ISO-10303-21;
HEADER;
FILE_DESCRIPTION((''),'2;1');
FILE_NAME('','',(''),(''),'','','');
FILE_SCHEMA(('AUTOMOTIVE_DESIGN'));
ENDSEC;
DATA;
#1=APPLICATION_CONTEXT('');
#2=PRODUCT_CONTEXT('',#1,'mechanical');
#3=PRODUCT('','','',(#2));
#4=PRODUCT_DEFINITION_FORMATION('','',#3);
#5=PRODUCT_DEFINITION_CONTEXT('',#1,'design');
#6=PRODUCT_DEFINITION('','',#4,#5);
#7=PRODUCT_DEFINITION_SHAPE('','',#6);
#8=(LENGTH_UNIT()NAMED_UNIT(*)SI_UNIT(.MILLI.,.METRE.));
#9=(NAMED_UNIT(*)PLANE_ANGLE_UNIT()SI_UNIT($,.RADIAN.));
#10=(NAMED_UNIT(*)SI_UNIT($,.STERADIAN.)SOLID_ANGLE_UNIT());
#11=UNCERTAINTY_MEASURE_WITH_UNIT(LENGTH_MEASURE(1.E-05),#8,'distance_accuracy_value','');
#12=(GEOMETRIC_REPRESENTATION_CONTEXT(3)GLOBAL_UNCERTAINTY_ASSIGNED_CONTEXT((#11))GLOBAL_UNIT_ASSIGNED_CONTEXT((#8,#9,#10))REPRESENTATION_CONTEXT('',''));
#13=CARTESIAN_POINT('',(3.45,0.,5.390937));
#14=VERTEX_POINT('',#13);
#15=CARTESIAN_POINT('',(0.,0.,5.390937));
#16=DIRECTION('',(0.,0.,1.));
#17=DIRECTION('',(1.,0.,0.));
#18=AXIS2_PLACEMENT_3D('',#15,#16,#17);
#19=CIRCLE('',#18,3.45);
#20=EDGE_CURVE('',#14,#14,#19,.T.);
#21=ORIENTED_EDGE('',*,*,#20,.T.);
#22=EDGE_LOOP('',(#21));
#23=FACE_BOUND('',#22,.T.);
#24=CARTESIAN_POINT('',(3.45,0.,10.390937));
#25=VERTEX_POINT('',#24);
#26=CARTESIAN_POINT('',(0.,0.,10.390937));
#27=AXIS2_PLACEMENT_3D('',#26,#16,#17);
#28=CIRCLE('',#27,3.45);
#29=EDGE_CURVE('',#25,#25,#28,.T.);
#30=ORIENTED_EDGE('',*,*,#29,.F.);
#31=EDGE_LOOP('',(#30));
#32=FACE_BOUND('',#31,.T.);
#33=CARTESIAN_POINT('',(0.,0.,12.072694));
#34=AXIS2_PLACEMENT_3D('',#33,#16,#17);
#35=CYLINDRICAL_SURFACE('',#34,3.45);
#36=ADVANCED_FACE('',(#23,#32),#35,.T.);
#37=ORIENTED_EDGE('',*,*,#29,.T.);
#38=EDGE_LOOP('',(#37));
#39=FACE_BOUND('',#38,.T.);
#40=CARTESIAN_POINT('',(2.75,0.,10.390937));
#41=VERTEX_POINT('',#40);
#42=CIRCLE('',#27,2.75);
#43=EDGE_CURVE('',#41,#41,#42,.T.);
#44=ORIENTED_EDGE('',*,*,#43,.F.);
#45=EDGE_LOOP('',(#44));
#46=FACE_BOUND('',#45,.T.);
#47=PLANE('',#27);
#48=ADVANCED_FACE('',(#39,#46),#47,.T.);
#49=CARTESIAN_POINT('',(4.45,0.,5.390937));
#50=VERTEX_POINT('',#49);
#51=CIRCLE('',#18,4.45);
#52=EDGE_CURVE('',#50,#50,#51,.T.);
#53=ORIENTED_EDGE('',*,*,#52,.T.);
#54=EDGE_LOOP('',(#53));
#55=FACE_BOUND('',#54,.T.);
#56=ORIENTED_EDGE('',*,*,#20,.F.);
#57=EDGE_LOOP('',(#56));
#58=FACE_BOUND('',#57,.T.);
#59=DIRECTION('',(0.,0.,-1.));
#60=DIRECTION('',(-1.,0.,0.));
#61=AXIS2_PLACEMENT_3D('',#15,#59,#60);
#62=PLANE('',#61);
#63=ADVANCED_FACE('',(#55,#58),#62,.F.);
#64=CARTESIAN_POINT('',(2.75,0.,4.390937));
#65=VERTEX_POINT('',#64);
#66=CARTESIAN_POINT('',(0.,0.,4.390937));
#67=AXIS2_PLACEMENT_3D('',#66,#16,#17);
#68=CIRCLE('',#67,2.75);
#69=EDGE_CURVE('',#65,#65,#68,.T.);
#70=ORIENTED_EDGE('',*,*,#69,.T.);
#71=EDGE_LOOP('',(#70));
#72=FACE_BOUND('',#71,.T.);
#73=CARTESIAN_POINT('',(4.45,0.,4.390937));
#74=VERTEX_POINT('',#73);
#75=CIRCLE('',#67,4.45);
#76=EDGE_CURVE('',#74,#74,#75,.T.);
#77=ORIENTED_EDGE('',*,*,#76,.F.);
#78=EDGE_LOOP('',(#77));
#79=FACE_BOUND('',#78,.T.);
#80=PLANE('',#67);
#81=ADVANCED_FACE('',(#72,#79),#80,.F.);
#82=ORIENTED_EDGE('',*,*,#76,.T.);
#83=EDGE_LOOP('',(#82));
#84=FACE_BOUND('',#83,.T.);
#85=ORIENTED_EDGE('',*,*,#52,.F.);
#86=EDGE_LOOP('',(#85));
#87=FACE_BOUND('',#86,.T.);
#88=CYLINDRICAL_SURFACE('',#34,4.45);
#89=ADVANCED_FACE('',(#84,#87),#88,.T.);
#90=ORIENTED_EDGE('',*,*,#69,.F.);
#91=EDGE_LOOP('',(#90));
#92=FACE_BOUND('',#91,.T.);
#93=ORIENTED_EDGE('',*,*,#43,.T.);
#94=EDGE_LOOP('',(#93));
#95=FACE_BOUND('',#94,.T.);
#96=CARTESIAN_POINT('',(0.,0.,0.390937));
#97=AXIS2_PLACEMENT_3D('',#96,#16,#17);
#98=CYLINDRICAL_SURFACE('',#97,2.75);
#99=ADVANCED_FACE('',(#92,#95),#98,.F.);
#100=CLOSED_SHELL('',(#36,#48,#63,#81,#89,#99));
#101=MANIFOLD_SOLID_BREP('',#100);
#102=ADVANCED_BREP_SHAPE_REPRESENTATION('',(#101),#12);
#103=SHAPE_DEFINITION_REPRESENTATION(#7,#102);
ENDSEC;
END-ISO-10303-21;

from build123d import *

# Parameters (mm, degrees)
CROQUIS2_R            = 2.75
CORTAR_EXTRUIR1_DEPTH = 10


with BuildPart() as part:
    # Croquis1 one side → Revolución1 (revolve)
    with BuildSketch(Plane(origin=(0, 0, 0), x_dir=(0, 0, -1), z_dir=(1, 0, 0))):
        Polygon((-5.390936577, 3.45), (-10.390936577, 3.45), (-10.390936577, 0), (-4.390936577, 0), (-4.390936577, 4.45), (-5.390936577, 4.45), align=None)
    revolve(axis=Axis((0, 0, 12.072693703), (0, 0, -1)))

    # Croquis2 → Cortar-Extruir1 (cut)
    with BuildSketch(Plane.XY.offset(10.390936577)):
        Circle(CROQUIS2_R)
    extrude(amount=-CORTAR_EXTRUIR1_DEPTH, mode=Mode.SUBTRACT)


solid = part.part
